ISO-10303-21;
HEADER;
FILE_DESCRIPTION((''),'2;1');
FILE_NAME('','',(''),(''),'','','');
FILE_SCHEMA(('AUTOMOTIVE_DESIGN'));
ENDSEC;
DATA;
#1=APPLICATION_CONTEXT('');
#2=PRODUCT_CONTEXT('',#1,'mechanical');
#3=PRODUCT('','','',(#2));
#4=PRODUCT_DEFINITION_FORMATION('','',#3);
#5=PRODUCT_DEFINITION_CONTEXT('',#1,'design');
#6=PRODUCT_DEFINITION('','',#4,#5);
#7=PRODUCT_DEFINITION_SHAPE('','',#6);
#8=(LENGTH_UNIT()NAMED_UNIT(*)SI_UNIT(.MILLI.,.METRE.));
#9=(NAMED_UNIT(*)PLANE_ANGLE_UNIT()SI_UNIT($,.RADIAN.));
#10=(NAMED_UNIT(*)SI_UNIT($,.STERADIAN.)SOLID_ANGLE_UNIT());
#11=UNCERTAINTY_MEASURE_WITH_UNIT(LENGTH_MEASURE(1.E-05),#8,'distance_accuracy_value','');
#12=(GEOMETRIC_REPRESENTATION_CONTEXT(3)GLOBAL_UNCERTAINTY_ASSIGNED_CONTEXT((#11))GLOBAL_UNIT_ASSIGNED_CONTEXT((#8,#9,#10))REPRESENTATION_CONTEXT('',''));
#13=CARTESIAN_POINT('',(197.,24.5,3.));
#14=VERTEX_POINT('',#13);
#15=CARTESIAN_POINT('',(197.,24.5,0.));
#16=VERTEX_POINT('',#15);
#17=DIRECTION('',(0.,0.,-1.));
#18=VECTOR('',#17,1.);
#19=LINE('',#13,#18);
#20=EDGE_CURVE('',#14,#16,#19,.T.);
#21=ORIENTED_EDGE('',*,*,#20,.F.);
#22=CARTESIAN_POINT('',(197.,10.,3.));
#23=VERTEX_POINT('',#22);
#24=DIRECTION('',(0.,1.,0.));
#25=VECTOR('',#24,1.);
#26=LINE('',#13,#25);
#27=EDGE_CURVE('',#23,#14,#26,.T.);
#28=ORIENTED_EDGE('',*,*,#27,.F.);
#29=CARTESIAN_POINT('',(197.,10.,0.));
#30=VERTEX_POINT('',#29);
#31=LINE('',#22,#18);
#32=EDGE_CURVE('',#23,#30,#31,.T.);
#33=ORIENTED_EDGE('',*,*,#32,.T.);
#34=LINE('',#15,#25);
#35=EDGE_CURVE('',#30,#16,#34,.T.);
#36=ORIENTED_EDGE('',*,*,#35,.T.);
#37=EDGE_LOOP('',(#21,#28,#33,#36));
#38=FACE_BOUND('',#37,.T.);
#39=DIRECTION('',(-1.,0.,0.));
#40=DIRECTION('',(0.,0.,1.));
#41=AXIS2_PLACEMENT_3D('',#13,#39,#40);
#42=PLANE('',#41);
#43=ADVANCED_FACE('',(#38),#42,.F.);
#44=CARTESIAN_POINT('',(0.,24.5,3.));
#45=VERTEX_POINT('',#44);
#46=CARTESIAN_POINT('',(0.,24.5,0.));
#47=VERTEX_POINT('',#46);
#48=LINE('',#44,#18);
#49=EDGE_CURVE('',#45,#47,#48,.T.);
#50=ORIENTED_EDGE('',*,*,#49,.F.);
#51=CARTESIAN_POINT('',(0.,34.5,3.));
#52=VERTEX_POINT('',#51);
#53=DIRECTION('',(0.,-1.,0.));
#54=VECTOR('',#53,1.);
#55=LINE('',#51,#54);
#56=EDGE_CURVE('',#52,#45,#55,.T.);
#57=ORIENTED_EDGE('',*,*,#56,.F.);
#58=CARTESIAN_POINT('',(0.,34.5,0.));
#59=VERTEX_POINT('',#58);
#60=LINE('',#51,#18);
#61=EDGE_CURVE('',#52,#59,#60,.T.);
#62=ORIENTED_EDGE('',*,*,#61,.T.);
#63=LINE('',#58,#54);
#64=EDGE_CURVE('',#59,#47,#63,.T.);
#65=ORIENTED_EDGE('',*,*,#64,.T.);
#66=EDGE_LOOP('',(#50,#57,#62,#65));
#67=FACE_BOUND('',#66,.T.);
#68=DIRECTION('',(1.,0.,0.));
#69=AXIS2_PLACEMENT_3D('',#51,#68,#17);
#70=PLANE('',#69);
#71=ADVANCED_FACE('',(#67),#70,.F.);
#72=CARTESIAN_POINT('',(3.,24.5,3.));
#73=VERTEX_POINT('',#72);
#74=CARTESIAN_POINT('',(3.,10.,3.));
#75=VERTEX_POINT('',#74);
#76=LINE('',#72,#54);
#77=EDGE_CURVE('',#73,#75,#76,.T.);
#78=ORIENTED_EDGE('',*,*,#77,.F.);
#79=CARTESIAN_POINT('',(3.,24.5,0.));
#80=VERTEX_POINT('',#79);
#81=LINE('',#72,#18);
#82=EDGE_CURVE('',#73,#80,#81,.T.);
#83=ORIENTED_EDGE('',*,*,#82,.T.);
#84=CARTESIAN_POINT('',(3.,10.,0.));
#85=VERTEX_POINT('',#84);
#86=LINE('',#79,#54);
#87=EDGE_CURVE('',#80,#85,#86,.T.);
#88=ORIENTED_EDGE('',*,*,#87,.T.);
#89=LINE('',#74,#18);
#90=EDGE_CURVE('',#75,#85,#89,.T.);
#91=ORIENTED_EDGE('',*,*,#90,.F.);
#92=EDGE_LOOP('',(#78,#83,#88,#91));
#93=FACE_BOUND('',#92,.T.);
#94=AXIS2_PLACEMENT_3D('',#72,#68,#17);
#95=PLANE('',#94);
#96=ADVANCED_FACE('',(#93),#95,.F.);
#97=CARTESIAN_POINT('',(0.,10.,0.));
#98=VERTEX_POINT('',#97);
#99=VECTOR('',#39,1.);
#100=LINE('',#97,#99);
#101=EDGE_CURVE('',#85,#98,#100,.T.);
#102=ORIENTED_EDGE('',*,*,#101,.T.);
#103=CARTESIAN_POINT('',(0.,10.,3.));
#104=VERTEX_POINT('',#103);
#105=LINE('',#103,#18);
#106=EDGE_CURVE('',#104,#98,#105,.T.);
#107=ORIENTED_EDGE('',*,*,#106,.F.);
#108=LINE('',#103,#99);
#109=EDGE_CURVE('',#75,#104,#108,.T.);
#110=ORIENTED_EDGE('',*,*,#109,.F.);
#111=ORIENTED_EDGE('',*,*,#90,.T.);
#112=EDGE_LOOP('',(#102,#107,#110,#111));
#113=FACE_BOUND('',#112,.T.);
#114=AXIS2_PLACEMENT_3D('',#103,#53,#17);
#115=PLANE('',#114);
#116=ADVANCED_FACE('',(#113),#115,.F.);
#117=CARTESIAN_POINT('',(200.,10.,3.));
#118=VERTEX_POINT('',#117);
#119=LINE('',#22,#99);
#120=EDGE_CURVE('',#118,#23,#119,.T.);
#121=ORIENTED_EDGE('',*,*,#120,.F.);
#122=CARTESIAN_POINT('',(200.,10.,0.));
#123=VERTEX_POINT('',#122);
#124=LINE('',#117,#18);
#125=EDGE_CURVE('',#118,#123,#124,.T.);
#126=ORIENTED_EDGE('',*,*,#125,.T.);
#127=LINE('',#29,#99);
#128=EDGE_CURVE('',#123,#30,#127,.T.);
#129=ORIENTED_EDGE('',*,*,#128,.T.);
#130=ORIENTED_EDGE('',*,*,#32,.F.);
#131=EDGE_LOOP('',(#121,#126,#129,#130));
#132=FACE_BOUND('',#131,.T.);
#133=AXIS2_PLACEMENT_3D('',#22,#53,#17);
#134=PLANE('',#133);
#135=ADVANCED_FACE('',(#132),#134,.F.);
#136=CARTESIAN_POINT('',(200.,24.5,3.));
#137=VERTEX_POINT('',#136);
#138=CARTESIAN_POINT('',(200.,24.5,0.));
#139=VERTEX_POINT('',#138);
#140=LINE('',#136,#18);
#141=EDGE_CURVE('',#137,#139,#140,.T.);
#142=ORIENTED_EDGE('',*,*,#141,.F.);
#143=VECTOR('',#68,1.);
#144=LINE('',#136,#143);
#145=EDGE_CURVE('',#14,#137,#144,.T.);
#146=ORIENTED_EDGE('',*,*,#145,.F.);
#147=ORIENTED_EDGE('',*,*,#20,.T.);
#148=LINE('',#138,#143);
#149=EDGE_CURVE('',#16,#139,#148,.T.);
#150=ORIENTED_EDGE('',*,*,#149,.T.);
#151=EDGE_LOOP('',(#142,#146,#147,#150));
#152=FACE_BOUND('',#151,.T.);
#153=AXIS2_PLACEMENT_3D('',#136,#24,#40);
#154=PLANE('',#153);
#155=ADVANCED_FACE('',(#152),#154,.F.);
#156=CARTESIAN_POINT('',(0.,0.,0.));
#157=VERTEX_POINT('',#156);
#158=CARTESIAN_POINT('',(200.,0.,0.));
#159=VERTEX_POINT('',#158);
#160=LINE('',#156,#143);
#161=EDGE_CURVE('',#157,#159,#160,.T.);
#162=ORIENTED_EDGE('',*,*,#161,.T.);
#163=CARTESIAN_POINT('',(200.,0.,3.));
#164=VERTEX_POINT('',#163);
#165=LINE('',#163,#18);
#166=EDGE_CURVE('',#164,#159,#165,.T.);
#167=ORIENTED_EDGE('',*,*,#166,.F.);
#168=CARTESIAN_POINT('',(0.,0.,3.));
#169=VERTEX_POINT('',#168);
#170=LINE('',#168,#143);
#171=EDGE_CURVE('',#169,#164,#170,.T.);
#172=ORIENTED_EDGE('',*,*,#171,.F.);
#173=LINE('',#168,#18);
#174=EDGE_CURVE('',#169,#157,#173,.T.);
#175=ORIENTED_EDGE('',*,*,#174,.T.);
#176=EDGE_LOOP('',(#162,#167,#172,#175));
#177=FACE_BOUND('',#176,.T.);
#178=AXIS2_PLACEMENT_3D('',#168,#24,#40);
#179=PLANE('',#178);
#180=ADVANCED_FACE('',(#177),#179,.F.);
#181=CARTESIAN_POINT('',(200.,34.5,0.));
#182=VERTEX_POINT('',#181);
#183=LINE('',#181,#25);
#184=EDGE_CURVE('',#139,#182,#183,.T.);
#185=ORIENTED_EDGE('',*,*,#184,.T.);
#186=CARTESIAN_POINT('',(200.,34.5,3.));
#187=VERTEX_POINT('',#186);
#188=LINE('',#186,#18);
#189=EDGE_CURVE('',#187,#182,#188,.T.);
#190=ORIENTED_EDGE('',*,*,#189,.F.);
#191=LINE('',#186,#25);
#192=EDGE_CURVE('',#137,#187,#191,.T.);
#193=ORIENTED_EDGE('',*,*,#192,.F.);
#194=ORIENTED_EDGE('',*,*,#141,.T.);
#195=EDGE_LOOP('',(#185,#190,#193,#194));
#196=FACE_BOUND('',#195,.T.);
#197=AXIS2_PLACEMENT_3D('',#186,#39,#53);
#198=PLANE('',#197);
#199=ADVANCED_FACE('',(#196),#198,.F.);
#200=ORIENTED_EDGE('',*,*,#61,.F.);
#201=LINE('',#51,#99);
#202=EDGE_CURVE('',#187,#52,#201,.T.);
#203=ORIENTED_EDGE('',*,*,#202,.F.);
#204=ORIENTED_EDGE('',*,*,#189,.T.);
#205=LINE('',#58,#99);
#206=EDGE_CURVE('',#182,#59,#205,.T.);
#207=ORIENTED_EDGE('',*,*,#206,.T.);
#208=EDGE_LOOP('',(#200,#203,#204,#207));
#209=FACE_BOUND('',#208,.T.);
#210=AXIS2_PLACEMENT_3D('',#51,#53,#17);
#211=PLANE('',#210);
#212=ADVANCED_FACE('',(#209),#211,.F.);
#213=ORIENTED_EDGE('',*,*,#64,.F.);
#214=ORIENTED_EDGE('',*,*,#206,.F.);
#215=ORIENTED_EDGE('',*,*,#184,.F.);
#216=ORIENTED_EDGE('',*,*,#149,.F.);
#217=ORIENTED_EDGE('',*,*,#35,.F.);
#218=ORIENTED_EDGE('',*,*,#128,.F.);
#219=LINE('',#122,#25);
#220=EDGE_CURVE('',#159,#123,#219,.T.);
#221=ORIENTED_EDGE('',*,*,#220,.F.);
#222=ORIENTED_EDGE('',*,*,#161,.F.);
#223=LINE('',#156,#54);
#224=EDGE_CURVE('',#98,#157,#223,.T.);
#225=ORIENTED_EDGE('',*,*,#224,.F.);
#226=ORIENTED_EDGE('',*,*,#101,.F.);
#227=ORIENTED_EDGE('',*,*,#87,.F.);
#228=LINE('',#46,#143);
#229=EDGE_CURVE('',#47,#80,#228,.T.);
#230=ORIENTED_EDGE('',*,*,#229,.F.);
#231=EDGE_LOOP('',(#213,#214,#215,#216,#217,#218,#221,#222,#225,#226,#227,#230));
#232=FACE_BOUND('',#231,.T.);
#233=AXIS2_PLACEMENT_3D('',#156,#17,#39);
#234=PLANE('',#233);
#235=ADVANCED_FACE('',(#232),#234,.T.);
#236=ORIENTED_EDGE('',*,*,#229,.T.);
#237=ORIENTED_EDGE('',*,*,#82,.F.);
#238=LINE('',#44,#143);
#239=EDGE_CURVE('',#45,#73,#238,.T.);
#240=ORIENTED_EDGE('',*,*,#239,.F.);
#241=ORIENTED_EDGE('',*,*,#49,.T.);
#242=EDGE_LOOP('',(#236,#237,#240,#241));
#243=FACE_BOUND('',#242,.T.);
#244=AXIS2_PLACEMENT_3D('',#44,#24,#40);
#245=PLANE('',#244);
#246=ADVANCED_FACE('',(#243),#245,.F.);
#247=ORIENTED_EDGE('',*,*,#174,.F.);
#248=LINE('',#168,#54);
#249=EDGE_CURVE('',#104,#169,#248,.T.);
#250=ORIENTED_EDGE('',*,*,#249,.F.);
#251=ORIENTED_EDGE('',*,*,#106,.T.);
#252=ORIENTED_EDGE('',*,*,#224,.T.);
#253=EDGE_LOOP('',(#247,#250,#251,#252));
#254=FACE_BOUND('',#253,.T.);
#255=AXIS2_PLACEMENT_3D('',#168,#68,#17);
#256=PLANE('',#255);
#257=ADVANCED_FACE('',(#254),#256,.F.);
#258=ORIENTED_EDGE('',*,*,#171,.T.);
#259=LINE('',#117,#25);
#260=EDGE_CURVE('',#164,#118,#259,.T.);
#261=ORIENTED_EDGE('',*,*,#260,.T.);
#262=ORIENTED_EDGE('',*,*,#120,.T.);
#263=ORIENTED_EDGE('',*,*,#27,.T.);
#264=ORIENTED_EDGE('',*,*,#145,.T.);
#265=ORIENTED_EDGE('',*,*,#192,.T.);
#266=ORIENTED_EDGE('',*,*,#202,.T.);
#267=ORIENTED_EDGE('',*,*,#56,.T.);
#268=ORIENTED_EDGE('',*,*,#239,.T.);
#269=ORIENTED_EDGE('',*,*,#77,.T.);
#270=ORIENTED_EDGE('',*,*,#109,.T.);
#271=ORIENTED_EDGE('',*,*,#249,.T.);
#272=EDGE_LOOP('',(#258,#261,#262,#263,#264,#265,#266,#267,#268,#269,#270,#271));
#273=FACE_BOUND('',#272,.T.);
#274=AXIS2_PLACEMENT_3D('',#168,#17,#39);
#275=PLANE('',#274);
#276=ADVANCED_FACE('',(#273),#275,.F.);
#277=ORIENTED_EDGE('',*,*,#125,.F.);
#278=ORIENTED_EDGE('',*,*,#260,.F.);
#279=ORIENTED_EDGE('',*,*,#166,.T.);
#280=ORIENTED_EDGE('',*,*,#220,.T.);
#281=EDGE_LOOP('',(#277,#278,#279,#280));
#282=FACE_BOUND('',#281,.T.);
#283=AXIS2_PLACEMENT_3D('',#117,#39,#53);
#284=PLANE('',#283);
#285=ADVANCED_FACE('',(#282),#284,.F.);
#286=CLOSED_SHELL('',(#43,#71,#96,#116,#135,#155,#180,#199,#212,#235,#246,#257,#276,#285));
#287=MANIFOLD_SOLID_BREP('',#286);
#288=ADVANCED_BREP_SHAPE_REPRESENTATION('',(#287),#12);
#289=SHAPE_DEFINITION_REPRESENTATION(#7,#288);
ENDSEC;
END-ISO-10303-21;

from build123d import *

# Parameters (mm, degrees)
EXTRUDE_1_DEPTH = 3


with BuildPart() as part:
    # ｽｹｯﾁ1 → ﾎﾞｽ - 押し出し1 (new body)
    with BuildSketch(Plane.XY):
        Polygon((0, 0), (0, 10), (3, 10), (3, 24.5), (0, 24.5), (0, 34.5), (200, 34.5), (200, 24.5), (197, 24.5), (197, 10), (200, 10), (200, 0), align=None)
    extrude(amount=EXTRUDE_1_DEPTH)


solid = part.part
